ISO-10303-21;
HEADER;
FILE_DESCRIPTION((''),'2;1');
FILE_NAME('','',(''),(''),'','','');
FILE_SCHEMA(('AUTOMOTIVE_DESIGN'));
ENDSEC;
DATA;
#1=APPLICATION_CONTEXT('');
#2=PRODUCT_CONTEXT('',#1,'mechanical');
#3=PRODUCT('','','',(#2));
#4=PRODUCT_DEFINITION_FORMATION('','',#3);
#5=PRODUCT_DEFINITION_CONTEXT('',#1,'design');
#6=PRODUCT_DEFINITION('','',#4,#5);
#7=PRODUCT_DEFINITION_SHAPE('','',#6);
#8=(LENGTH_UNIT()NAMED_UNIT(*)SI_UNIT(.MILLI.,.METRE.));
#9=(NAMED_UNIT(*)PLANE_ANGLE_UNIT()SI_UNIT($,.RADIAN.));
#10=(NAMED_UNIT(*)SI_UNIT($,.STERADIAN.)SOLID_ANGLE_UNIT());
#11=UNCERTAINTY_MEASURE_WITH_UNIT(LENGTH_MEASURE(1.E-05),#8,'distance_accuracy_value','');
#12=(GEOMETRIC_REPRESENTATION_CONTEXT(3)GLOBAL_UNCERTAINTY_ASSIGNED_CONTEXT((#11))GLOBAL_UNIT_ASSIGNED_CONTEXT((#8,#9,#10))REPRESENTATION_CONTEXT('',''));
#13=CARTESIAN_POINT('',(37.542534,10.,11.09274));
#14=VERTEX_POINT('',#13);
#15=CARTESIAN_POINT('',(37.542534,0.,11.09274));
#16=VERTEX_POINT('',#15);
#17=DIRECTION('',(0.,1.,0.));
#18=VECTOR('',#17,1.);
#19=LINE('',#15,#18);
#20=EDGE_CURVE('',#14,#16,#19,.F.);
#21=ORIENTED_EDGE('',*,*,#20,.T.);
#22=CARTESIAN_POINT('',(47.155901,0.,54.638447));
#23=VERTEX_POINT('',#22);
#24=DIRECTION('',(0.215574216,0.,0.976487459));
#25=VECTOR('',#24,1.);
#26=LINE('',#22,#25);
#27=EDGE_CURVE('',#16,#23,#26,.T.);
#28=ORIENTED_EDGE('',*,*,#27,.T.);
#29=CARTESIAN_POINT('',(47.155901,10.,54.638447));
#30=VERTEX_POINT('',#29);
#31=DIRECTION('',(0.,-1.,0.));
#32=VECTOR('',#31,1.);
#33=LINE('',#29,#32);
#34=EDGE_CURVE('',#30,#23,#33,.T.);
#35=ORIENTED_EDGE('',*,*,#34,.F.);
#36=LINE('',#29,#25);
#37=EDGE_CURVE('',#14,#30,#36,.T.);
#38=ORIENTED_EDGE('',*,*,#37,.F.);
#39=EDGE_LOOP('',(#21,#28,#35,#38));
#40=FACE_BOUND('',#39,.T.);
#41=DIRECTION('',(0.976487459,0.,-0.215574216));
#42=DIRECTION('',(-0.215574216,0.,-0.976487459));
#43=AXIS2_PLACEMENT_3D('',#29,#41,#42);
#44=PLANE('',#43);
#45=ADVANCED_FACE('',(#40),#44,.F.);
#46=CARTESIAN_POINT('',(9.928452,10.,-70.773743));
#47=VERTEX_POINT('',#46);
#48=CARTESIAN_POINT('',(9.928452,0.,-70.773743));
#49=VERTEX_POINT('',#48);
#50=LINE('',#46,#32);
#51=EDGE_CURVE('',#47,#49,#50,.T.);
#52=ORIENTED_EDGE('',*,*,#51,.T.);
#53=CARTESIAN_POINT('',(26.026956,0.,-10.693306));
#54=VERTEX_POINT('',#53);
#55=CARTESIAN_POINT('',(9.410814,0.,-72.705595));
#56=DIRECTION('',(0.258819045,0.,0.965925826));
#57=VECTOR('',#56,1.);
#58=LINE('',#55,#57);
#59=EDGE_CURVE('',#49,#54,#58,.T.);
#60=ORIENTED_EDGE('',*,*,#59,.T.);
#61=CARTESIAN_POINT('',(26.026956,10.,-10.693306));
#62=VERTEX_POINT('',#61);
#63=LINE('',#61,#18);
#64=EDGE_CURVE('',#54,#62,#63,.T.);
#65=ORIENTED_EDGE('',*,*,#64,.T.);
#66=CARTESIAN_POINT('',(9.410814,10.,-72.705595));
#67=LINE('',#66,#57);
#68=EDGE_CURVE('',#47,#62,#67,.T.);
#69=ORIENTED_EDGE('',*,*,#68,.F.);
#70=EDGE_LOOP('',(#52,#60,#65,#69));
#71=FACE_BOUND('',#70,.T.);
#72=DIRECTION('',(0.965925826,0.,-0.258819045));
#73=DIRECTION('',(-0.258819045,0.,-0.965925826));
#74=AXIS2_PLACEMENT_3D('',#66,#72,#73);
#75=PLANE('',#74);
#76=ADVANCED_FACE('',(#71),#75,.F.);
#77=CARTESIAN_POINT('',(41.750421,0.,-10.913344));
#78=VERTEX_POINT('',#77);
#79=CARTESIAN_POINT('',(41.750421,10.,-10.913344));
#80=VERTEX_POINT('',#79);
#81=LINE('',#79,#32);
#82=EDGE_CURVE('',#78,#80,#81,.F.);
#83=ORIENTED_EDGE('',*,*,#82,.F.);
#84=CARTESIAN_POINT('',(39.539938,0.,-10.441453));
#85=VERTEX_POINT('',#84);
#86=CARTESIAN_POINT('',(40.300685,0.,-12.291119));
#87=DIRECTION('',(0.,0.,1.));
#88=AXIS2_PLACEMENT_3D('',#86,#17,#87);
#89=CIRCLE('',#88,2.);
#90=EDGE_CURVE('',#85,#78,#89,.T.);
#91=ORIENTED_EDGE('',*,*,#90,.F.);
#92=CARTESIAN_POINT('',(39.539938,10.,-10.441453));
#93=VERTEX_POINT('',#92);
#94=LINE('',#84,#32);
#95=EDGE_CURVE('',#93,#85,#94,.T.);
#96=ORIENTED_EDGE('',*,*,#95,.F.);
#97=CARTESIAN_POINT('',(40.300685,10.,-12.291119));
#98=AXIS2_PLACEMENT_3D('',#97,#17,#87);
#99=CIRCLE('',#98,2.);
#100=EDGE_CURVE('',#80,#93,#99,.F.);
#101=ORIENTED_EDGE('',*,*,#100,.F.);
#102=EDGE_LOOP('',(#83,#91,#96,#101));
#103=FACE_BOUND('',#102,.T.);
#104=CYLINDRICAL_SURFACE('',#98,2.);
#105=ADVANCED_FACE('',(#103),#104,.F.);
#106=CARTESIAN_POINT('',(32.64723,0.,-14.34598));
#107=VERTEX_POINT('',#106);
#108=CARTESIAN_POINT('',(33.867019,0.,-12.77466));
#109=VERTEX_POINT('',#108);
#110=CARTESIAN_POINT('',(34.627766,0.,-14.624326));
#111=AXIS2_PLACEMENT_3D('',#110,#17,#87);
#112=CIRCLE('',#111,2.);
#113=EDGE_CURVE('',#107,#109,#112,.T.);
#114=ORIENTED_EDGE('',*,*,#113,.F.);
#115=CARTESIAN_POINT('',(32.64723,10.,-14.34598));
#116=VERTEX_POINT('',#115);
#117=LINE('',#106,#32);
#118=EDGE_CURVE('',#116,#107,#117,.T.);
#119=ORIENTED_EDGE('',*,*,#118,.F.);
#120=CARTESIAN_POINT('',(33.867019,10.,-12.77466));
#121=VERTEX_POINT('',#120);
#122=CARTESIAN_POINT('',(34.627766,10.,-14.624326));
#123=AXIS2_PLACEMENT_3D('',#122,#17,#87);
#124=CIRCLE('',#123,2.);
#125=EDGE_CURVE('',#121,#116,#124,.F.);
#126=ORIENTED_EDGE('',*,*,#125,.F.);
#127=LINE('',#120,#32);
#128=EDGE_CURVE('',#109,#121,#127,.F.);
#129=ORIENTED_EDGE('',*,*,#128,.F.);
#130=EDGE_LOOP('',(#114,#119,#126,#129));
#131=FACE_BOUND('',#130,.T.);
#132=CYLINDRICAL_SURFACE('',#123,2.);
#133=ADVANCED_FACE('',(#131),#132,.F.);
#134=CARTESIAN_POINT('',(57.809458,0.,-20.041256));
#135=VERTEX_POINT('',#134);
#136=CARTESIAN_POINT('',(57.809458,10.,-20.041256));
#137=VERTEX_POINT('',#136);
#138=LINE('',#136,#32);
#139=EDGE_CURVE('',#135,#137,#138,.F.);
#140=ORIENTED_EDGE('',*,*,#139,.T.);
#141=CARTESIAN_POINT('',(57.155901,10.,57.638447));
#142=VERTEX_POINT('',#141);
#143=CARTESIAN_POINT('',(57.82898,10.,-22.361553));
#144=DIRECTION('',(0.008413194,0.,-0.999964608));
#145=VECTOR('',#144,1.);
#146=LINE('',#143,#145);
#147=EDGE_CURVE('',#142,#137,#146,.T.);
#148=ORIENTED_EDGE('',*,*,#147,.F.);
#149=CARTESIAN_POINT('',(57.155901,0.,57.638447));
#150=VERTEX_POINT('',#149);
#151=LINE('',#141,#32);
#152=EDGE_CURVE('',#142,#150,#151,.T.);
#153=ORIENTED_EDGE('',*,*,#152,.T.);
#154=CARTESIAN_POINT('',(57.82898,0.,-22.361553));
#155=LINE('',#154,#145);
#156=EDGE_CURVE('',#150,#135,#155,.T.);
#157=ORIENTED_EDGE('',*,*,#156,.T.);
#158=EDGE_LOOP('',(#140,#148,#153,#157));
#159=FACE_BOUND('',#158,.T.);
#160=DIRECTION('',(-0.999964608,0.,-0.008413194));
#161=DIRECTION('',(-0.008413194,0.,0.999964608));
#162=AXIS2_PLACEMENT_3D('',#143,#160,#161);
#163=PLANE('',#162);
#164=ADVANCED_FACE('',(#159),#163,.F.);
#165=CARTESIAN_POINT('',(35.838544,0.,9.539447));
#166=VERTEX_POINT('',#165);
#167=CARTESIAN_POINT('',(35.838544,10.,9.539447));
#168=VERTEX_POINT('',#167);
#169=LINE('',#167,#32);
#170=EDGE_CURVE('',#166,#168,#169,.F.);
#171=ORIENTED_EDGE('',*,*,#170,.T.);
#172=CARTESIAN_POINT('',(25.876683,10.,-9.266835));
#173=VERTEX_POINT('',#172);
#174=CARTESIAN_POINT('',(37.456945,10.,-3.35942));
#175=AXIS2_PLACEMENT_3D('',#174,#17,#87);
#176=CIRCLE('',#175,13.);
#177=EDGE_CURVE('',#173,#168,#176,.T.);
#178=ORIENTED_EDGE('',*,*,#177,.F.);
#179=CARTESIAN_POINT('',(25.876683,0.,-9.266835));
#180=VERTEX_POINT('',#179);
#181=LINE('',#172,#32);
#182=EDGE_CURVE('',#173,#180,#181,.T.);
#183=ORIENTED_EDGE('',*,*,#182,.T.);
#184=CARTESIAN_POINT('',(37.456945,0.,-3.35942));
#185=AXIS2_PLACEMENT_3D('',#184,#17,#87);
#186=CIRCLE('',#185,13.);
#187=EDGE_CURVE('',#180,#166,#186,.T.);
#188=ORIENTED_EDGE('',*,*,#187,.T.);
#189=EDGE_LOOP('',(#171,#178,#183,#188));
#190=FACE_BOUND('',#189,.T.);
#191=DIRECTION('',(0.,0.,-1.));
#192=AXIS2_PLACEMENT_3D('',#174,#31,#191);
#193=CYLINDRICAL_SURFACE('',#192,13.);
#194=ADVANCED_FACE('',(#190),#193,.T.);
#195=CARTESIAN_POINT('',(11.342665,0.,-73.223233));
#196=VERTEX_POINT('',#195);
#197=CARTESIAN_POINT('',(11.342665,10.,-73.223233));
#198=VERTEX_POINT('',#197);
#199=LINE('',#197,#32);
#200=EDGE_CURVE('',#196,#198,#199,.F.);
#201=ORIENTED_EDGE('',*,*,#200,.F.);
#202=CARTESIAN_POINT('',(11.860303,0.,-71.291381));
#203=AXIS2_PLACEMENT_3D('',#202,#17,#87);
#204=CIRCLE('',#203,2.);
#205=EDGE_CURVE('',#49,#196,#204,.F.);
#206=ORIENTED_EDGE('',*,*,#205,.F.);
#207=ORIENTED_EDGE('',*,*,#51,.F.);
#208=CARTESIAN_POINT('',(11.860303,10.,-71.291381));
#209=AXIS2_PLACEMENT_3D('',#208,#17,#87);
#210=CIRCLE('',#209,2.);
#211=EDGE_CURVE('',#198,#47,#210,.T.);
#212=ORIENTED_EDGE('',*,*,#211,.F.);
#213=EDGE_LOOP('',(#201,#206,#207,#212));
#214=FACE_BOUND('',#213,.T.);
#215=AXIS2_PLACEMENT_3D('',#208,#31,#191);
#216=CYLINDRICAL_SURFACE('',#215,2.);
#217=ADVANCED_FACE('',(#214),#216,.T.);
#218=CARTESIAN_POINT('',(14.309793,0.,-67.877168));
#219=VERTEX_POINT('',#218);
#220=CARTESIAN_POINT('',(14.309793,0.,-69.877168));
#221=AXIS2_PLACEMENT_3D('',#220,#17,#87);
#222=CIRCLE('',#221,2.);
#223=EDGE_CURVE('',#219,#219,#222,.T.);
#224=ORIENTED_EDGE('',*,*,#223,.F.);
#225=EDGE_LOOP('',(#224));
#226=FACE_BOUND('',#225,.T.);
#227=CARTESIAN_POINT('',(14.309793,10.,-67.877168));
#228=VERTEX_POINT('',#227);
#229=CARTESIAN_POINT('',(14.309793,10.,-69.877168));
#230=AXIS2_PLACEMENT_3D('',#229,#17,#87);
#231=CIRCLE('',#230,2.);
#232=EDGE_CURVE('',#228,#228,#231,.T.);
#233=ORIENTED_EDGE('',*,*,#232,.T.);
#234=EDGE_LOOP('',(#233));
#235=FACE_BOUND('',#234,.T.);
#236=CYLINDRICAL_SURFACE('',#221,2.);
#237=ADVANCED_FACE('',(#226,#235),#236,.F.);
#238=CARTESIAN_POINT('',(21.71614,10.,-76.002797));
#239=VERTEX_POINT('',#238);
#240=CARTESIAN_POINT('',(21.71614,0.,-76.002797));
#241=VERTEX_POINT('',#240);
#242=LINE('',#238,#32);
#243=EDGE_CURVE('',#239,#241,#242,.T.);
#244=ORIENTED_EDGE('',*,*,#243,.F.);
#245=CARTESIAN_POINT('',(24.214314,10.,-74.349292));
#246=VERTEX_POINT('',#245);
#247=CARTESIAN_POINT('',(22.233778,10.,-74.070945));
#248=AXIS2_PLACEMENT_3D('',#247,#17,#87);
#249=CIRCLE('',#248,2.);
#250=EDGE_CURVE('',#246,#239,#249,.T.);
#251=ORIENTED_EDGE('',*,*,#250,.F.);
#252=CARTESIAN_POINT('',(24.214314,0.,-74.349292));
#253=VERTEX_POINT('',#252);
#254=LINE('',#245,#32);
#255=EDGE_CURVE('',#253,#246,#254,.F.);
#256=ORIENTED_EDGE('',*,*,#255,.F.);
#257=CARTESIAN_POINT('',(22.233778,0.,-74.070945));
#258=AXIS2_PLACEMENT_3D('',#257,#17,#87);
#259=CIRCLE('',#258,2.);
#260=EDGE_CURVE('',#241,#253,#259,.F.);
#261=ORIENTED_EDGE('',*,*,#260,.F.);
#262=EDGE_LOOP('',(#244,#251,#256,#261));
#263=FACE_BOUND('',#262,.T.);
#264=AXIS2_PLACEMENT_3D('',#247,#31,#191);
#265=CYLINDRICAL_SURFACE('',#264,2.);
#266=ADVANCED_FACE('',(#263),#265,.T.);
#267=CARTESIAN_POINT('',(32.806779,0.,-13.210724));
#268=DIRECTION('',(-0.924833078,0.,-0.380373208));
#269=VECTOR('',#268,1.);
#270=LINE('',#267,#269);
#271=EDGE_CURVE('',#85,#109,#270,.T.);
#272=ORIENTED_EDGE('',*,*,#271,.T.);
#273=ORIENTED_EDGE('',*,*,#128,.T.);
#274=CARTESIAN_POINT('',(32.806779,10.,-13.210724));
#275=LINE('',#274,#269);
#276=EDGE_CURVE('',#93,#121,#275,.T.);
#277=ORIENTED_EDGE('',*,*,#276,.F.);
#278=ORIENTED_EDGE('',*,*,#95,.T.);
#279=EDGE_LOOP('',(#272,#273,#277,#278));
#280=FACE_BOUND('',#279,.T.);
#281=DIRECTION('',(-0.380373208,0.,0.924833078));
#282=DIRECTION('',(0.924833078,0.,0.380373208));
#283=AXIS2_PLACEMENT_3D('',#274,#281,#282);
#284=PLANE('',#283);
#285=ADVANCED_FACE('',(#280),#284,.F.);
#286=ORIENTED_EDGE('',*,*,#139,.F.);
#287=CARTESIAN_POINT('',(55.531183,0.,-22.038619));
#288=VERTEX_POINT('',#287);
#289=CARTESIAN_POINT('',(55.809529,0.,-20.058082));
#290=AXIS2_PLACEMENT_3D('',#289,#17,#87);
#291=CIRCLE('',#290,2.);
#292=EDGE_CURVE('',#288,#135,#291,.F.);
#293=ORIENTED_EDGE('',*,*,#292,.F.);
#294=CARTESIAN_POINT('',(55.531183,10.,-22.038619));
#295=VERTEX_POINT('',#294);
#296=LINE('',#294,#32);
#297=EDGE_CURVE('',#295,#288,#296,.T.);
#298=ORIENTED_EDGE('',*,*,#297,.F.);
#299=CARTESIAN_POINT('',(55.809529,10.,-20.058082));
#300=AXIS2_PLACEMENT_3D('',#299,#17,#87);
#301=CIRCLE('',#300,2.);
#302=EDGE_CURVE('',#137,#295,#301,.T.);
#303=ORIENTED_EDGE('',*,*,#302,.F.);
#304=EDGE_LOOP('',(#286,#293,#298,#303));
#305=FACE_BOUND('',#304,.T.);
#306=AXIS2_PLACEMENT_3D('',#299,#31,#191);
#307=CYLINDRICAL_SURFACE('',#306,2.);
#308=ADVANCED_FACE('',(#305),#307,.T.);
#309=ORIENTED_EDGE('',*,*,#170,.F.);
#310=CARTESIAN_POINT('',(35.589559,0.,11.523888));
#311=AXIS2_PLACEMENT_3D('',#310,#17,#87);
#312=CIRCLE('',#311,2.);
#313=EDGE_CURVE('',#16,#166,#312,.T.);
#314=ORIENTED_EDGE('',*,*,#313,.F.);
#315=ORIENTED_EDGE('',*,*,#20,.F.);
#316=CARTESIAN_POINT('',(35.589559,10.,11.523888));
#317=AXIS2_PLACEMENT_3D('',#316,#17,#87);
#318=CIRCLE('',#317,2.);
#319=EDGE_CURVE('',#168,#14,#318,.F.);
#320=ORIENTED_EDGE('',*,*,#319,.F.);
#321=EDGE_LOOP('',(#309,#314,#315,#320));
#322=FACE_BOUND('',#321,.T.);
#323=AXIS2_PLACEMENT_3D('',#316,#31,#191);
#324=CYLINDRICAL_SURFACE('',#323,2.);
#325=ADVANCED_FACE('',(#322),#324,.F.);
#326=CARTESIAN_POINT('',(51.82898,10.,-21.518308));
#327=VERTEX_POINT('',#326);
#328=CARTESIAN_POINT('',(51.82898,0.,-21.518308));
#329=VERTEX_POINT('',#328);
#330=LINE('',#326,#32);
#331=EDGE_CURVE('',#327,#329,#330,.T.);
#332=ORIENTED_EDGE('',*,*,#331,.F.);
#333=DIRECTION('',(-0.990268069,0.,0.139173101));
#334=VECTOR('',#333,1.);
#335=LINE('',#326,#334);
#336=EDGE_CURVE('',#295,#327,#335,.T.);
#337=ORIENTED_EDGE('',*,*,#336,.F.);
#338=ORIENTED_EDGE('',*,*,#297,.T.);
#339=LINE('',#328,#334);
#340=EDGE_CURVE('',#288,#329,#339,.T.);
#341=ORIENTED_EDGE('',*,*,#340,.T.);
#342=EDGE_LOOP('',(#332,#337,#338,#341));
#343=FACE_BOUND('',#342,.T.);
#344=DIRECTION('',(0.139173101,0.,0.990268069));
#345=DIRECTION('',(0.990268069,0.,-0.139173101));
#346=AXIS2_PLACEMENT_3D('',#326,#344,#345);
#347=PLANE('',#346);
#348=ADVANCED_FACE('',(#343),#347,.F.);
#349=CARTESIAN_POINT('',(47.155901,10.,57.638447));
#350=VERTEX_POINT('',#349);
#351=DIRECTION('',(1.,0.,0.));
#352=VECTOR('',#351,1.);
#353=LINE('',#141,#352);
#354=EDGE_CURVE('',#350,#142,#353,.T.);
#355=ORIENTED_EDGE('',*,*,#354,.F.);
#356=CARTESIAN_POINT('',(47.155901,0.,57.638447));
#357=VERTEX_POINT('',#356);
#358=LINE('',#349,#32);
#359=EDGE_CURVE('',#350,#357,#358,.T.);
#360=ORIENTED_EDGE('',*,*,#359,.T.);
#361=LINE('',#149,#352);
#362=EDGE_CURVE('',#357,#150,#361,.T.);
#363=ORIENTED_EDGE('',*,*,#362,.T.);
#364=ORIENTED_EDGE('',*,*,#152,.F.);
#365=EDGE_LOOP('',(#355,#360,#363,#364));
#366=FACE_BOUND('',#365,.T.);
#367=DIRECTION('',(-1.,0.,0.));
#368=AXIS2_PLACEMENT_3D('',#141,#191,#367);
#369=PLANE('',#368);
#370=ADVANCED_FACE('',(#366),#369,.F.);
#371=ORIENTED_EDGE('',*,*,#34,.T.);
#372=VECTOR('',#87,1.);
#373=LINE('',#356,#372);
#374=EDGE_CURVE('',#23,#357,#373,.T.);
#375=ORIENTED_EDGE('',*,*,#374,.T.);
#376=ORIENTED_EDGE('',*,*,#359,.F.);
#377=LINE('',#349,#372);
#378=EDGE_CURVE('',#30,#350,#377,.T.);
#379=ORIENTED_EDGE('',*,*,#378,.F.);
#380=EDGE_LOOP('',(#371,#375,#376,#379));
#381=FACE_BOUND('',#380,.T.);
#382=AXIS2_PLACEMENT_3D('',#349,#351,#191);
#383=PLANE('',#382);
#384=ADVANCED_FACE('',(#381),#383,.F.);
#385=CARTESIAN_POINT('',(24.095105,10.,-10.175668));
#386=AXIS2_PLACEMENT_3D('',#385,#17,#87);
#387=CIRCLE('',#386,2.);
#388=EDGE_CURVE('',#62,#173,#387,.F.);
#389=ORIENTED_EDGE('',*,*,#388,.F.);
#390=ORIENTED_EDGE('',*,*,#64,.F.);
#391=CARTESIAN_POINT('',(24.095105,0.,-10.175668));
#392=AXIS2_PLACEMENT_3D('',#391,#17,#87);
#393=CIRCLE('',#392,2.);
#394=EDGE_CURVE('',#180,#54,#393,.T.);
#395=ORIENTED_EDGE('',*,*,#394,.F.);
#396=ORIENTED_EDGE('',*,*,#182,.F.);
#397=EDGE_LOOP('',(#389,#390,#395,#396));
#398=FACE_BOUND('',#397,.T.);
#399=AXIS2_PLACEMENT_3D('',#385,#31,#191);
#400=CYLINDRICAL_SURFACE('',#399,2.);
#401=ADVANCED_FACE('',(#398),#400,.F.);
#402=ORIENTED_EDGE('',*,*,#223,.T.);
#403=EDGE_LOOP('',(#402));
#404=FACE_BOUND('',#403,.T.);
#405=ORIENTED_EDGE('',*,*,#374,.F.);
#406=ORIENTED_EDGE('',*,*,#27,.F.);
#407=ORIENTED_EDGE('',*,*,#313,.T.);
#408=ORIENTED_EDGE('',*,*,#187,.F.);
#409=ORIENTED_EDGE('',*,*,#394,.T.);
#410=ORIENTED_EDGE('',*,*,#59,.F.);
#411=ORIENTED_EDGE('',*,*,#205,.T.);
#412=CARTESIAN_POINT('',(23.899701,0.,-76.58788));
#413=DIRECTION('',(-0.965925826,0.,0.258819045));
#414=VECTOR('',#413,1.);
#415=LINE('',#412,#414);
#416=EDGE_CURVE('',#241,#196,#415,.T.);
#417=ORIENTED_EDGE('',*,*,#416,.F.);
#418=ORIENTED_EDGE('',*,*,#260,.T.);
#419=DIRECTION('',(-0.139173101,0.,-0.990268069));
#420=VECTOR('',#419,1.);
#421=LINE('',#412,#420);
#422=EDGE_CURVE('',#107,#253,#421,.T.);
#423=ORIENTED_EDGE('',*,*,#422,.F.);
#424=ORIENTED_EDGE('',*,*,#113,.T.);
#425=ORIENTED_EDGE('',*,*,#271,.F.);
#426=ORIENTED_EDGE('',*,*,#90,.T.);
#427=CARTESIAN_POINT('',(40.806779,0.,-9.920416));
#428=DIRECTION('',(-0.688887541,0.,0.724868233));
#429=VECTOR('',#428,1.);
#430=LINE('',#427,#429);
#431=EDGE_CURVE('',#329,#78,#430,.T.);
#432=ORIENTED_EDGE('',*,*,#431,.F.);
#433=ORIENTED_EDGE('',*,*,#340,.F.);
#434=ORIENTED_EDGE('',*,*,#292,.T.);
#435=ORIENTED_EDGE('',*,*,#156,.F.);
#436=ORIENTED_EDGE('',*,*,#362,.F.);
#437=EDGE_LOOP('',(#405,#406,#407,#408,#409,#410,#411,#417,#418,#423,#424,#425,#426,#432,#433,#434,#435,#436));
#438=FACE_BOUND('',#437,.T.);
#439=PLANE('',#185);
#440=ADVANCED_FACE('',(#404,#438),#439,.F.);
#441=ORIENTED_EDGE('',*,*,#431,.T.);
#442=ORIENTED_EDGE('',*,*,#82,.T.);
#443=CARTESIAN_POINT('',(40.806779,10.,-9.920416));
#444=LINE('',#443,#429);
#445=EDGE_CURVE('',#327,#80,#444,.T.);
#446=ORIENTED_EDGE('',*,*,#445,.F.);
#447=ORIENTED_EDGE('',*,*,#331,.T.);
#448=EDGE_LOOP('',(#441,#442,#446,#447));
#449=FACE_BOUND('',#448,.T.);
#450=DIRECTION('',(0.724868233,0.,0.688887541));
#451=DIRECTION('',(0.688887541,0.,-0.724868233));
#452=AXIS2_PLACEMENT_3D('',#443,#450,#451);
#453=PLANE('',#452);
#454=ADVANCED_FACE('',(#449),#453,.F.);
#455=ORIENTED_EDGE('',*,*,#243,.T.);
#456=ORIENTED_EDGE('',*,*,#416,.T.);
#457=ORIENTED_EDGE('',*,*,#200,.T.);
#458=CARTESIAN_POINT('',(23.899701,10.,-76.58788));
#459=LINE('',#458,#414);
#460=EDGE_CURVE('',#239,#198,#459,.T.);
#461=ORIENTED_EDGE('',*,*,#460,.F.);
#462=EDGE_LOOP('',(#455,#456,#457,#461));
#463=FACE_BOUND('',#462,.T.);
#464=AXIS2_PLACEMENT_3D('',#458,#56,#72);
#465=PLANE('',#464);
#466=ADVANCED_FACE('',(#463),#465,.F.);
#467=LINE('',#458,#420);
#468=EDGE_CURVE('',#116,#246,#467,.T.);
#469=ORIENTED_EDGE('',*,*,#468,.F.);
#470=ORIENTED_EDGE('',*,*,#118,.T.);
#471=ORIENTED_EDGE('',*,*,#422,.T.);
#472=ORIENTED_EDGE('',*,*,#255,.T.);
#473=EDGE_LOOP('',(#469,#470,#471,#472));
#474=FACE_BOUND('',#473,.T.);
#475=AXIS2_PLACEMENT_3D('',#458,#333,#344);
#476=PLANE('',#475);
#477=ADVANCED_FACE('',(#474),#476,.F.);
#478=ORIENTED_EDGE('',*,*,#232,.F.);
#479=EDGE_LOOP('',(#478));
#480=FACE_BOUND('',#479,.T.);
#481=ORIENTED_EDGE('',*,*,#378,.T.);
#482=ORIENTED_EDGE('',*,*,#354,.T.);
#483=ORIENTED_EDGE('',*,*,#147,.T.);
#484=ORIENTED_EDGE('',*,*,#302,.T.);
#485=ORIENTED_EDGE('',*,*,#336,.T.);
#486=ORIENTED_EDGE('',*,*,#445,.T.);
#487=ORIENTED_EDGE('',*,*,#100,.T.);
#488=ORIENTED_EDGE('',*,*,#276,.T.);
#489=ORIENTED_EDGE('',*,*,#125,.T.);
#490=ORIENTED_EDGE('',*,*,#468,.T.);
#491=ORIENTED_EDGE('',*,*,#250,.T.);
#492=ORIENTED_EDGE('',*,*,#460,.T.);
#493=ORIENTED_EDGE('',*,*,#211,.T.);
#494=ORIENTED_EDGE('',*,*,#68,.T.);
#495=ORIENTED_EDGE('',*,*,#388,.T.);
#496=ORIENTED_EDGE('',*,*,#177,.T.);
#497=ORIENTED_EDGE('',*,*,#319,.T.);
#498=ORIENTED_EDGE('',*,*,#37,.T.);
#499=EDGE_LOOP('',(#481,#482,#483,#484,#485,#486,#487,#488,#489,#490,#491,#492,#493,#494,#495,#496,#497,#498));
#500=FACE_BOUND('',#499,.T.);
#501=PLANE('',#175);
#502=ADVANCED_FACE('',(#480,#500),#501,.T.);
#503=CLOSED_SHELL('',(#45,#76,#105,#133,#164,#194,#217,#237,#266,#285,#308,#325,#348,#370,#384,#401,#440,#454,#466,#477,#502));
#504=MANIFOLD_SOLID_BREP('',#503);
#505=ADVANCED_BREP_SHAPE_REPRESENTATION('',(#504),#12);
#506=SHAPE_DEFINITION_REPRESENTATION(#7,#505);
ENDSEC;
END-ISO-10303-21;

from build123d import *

# Parameters (mm, degrees)
BOSS_EXTRUDE1_DEPTH = 10
SKETCH2_R           = 2
CUT_EXTRUDE1_DEPTH  = 97.487793931
FILLET1_R           = 2


with BuildPart() as part:
    # Sketch1 → Boss-Extrude1 (new body)
    with BuildSketch(Plane(origin=(0, 0, 0), x_dir=(1, 0, 0), z_dir=(0, 1, 0))):
        with BuildLine():
            Line((23.899700969, 76.587880496), (9.410813575, 72.70559482))
            Line((9.410813575, 72.70559482), (26.234051507, 9.920416111))
            ThreePointArc((26.234051507, 9.920416111), (26.122890324, -3.007620786), (37.221477465, -9.638447153))
            Line((37.221477465, -9.638447153), (47.155900716, -54.638447153))
            Line((47.155900716, -54.638447153), (47.155900716, -57.638447153))
            Line((47.155900716, -57.638447153), (57.155900716, -57.638447153))
            Line((57.155900716, -57.638447153), (57.828980094, 22.361552847))
            Line((57.828980094, 22.361552847), (51.828980094, 21.518307839))
            Line((51.828980094, 21.518307839), (40.806779431, 9.920416111))
            Line((40.806779431, 9.920416111), (32.806779431, 13.210724097))
            Line((32.806779431, 13.210724097), (23.899700969, 76.587880496))
        make_face()
    extrude(amount=BOSS_EXTRUDE1_DEPTH)

    # Sketch2 → Cut-Extrude1 (cut, through all)
    with BuildSketch(Plane(origin=(0, 10, 0), x_dir=(1, 0, 0), z_dir=(0, 1, 0))):
        with Locations(Location((14.309793061, 69.877167695, 0), (0, 0, 270))):
            Circle(SKETCH2_R)
    extrude(amount=-CUT_EXTRUDE1_DEPTH, mode=Mode.SUBTRACT)

    # Fillet1
    fillet1_edges = [part.edges().sort_by_distance(p)[0] for p in [
        (37.221477465, 5, 9.638447153),
        (26.234051507, 5, -9.920416111),
        (9.410813575, 5, -72.70559482),
        (23.899700969, 5, -76.587880496),
        (32.806779431, 5, -13.210724097),
        (40.806779431, 5, -9.920416111),
        (57.828980094, 5, -22.361552847),
    ]]
    fillet(fillet1_edges, radius=FILLET1_R)


solid = part.part
